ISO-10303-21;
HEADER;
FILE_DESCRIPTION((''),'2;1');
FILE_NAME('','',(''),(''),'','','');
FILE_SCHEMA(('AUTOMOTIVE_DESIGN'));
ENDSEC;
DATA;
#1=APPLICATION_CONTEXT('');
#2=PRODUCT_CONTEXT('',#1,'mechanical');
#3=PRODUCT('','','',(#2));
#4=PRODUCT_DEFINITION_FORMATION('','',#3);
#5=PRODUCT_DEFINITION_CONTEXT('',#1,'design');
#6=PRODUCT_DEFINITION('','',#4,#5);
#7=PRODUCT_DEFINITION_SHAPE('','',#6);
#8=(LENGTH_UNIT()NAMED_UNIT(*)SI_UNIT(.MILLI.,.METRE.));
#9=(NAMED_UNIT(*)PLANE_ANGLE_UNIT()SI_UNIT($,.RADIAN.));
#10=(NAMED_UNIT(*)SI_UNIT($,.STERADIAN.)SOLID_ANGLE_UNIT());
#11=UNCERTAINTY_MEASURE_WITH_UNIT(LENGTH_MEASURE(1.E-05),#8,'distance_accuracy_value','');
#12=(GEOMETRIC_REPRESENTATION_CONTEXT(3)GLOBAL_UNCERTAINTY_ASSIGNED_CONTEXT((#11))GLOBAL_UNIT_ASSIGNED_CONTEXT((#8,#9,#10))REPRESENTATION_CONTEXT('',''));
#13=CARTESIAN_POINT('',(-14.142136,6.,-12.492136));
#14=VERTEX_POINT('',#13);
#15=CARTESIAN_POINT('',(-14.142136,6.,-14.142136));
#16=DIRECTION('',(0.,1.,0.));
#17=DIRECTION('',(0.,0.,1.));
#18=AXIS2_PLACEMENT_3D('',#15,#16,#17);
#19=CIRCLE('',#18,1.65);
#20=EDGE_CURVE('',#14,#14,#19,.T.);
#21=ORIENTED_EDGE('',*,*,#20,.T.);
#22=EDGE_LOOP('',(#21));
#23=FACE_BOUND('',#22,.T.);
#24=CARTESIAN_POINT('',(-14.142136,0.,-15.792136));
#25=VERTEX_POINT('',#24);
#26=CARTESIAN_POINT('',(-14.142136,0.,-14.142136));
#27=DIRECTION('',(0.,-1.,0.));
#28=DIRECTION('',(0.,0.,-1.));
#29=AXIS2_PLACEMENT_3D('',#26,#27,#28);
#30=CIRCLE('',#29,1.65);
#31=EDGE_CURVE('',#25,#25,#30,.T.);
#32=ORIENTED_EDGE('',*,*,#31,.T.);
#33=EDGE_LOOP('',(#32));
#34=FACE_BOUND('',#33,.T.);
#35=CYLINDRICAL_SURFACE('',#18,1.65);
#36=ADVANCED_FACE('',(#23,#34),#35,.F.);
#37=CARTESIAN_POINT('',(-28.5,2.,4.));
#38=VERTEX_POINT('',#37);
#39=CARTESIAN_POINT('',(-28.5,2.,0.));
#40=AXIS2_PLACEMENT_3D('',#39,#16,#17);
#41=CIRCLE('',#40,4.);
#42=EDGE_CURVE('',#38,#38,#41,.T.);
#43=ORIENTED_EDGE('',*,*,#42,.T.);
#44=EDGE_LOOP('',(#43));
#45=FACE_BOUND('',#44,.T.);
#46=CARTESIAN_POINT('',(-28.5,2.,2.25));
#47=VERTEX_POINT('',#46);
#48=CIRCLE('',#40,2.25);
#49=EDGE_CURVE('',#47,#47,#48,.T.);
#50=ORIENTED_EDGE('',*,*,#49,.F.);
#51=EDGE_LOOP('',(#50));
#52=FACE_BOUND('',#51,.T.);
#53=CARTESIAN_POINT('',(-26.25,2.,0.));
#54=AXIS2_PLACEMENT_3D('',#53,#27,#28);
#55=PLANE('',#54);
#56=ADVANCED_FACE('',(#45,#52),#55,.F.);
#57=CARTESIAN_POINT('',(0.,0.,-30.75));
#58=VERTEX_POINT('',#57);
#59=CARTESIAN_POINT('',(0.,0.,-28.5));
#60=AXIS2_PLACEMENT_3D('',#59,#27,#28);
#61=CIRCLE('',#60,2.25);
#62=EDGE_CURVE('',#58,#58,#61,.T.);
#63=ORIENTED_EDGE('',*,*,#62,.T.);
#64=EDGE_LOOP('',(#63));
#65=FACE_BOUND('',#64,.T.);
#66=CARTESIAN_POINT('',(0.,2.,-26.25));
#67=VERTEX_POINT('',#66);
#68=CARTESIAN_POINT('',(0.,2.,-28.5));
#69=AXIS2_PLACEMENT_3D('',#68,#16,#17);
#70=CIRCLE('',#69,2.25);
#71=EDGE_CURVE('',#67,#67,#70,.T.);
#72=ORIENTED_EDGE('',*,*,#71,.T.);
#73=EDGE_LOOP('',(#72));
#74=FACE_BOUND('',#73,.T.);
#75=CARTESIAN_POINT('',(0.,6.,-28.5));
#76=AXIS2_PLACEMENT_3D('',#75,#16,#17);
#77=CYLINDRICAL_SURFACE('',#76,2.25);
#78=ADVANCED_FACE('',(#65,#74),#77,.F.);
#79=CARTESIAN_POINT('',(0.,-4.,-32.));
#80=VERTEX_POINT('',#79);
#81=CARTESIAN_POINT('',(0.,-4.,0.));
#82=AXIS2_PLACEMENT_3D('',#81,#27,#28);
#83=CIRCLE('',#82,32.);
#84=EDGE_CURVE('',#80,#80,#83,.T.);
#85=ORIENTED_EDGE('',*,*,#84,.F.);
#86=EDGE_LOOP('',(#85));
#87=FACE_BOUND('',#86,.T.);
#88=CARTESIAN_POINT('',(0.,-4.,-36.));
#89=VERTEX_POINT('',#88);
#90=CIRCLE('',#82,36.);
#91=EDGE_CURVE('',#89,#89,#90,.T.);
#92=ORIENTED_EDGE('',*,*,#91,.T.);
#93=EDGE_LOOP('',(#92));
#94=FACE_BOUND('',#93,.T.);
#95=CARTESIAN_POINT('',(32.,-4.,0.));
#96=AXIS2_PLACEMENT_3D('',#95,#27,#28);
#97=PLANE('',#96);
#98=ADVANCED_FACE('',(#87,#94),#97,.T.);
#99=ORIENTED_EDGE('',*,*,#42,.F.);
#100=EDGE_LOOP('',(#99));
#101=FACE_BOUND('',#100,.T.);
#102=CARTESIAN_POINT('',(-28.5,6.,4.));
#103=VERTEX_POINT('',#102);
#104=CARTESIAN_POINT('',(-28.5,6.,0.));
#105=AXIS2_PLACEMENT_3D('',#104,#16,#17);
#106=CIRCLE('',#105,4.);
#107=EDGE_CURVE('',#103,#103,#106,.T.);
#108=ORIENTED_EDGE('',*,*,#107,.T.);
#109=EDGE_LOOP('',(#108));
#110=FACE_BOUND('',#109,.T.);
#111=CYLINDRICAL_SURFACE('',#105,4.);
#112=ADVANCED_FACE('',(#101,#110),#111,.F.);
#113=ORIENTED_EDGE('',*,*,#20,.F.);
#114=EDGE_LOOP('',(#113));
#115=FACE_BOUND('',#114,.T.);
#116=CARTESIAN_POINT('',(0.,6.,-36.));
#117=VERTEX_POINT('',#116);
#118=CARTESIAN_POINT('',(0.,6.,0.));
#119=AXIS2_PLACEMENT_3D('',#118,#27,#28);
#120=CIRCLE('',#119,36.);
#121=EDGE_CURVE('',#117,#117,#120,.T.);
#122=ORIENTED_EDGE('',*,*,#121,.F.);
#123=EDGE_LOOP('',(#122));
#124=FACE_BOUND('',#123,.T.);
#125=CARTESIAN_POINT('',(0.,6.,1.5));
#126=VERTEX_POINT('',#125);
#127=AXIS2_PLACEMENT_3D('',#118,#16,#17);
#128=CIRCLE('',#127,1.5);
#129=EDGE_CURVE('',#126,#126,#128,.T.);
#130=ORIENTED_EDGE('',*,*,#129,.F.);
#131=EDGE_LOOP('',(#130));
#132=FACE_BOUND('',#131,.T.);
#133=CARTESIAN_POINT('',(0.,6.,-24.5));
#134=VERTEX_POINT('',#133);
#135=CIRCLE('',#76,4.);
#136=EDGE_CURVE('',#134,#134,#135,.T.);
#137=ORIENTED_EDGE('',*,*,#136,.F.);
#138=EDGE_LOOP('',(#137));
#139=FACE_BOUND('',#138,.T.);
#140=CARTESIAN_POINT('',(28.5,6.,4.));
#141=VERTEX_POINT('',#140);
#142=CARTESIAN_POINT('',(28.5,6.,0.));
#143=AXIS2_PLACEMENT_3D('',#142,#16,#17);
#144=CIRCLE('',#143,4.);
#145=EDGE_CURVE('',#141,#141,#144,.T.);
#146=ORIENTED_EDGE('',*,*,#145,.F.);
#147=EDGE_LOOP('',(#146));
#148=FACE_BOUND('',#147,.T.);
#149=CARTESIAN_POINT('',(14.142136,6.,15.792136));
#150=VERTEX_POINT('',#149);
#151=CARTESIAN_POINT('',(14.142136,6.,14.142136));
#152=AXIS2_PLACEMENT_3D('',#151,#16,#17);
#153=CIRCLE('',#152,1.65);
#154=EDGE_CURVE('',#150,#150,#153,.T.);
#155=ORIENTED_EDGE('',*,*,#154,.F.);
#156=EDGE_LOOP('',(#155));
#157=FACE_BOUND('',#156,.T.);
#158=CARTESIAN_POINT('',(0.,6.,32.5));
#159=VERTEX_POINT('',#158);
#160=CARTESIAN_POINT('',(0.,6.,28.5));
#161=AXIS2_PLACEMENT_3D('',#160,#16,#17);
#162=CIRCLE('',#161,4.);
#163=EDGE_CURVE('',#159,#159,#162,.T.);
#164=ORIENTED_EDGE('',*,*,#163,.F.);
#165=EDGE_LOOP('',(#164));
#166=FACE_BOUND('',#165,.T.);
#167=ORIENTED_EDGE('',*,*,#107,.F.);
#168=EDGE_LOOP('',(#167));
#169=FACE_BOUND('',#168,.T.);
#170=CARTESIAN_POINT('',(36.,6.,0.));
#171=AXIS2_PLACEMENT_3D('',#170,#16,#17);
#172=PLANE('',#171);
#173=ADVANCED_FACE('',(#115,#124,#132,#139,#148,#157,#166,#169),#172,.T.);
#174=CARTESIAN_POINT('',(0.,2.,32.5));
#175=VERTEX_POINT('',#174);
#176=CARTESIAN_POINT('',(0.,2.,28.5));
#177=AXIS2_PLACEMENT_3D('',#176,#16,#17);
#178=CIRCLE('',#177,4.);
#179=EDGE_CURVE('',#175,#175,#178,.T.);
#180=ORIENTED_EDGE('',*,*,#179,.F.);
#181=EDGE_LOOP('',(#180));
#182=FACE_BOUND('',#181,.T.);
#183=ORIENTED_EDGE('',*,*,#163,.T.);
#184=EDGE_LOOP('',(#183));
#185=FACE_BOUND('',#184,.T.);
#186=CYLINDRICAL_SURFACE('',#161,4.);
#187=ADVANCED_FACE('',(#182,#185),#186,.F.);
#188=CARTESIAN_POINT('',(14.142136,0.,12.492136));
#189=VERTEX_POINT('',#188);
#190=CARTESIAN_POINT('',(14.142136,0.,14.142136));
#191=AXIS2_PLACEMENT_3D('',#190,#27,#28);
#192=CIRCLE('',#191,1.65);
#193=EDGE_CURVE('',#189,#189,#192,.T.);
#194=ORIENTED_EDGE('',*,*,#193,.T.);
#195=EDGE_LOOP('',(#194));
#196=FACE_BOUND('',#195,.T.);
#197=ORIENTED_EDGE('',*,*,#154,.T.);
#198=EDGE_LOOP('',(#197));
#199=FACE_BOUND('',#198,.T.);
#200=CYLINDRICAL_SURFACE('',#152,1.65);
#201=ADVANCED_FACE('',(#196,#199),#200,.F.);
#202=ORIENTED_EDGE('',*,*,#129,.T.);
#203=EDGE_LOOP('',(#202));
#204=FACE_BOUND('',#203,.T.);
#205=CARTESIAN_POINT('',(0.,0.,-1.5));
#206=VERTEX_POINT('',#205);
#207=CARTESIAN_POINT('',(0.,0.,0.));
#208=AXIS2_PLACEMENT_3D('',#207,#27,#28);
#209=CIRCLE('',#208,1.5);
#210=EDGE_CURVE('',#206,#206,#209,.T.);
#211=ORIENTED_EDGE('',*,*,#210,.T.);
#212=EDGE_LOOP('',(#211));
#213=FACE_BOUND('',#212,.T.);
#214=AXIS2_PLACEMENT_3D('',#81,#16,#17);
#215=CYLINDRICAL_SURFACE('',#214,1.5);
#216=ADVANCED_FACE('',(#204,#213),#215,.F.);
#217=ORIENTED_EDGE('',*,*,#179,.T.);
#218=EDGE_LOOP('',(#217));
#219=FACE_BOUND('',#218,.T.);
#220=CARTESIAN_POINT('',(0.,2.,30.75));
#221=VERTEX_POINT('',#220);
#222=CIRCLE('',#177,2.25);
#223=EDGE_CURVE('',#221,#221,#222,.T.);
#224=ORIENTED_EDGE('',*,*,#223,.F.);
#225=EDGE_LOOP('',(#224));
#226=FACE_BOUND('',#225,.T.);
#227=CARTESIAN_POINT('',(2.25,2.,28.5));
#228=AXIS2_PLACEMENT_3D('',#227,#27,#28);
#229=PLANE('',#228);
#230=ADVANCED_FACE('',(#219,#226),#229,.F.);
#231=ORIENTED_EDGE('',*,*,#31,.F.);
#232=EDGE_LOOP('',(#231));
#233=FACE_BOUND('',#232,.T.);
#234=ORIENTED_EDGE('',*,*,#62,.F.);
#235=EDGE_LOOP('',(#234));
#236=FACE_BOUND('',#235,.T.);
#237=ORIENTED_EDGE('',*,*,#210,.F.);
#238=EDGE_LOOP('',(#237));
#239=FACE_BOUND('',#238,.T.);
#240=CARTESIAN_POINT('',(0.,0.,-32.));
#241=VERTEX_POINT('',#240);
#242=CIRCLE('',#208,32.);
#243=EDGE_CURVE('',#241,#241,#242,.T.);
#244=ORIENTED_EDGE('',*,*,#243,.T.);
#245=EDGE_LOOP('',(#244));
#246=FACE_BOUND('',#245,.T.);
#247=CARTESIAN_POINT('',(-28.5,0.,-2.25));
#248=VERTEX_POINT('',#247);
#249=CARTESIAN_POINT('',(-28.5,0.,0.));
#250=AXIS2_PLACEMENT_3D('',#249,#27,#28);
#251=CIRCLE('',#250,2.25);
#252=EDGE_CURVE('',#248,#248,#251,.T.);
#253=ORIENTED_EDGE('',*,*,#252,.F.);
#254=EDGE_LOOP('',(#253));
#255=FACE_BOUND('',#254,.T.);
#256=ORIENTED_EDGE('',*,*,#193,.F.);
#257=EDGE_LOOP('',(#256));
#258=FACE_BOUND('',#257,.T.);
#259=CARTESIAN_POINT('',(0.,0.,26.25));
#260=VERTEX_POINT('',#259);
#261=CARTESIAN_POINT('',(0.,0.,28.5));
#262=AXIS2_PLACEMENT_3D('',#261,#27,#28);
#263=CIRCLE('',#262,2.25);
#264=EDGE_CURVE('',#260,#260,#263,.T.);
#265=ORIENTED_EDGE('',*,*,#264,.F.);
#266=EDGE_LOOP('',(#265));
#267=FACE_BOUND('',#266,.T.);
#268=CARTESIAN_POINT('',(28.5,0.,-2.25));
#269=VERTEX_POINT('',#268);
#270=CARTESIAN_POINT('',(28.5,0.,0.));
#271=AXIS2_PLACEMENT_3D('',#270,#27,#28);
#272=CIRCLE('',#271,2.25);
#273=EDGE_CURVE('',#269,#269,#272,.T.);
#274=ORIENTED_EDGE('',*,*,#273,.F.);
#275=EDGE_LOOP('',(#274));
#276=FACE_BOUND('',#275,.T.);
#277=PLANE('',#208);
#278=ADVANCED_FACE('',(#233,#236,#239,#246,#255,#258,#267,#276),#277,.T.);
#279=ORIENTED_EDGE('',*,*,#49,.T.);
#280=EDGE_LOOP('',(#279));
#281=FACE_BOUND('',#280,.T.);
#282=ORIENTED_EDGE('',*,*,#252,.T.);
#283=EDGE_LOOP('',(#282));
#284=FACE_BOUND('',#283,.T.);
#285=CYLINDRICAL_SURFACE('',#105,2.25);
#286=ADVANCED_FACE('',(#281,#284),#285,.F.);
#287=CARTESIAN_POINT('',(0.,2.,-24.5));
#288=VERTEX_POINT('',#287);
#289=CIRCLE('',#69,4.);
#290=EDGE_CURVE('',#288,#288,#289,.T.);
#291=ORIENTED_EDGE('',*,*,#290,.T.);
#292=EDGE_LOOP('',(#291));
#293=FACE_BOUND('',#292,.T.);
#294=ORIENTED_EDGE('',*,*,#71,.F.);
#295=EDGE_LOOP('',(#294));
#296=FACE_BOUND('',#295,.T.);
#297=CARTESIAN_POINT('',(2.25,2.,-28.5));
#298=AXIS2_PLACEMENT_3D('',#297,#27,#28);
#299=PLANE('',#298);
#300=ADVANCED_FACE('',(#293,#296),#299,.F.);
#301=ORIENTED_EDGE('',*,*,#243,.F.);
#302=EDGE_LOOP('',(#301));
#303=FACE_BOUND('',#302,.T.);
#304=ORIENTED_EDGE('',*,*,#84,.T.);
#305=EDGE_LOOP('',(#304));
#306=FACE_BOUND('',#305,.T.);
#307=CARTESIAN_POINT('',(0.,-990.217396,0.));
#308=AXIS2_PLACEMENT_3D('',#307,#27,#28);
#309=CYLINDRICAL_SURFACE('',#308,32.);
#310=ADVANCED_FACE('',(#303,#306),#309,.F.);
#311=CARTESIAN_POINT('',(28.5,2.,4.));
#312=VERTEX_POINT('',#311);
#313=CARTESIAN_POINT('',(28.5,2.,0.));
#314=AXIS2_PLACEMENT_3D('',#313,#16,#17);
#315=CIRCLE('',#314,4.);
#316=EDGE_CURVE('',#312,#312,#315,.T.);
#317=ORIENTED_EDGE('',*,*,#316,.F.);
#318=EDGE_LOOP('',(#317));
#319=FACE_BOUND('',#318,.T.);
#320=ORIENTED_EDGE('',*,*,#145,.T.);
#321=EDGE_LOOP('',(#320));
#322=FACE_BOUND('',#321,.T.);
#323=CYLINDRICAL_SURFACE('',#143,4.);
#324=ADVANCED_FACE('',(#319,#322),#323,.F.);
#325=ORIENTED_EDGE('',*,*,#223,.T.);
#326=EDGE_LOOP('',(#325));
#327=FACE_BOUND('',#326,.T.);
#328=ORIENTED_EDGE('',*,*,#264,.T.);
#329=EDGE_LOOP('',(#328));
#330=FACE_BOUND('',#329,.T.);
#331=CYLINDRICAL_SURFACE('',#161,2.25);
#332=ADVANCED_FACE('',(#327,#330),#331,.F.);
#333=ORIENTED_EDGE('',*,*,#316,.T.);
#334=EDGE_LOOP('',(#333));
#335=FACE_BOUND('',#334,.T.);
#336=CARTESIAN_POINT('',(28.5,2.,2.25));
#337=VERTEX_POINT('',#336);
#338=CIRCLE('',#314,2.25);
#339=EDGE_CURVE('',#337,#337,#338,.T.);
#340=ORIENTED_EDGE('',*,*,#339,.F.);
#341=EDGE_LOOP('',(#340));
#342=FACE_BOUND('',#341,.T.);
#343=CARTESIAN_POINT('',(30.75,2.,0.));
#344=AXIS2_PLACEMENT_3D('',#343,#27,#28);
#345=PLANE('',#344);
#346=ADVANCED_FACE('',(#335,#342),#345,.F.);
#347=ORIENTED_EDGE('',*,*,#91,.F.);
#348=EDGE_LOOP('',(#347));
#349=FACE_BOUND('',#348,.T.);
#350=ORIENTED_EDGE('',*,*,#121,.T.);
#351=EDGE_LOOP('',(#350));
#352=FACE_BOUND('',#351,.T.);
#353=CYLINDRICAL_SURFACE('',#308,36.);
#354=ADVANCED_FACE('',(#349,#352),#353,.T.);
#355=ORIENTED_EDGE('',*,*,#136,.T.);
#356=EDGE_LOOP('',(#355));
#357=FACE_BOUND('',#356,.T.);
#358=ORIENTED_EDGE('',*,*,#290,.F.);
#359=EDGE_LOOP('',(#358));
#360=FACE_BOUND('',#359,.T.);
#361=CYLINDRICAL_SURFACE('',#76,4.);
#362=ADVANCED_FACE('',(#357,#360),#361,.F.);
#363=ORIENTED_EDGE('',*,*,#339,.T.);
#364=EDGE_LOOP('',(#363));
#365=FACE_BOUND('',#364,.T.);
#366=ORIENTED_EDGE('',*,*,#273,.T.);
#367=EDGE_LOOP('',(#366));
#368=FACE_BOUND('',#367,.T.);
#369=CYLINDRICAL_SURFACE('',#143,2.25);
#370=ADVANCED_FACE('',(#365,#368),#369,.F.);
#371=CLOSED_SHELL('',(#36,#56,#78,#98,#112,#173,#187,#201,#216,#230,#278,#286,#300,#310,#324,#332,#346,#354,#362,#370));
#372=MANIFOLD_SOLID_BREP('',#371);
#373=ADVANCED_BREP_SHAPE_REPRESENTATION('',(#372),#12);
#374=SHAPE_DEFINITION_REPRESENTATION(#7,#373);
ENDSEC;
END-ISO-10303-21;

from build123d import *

# Parameters (mm, degrees)
CBORE_FOR_M4_SHCS1_D           = 4.5
CBORE_FOR_M4_SHCS1_CBORE_D     = 8
CBORE_FOR_M4_SHCS1_CBORE_DEPTH = 4
M4X0_7_TAPPED_HOLE1_D          = 3.3
M4X0_7_TAPPED_HOLE1_DEPTH      = 8.1
M4X0_7_TAPPED_HOLE1_TIP        = 0.991420021
SKETCH7_R                      = 1.5
CUT_EXTRUDE1_DEPTH             = 52.884487084


with BuildPart() as part:
    # Sketch2 → Revolve1 (revolve)
    with BuildSketch(Plane.XY, mode=Mode.PRIVATE) as revolve1_sk:
        Polygon((0, 0), (32, 0), (32, -4), (36, -4), (36, 6), (0, 6), align=None)
    revolve(revolve1_sk.sketch.rotate(Axis((0, -990.217396251, 0), (0, 1, 0)), 90), axis=Axis((0, -990.217396251, 0), (0, 1, 0)))

    # CBORE for M4 SHCS1 (through all)
    with Locations(Plane(origin=(0, 6, 0), x_dir=(1, 0, 0), z_dir=(0, 1, 0))):
        with Locations((0, 28.5), (-28.5, 0), (28.5, 0), (0, -28.5)):
            CounterBoreHole(CBORE_FOR_M4_SHCS1_D / 2, CBORE_FOR_M4_SHCS1_CBORE_D / 2, CBORE_FOR_M4_SHCS1_CBORE_DEPTH)

    # M4x0.7 Tapped Hole1
    with Locations(Plane(origin=(0, 6, 0), x_dir=(1, 0, 0), z_dir=(0, 1, 0))):
        with Locations((-14.142135624, 14.142135624), (14.142135624, -14.142135624)):
            Hole(M4X0_7_TAPPED_HOLE1_D / 2, depth=M4X0_7_TAPPED_HOLE1_DEPTH)
            with Locations((0, 0, -(M4X0_7_TAPPED_HOLE1_DEPTH + M4X0_7_TAPPED_HOLE1_TIP / 2))):  # 118° drill point
                Cone(0, M4X0_7_TAPPED_HOLE1_D / 2, M4X0_7_TAPPED_HOLE1_TIP, mode=Mode.SUBTRACT)

    # Sketch7 → Cut-Extrude1 (cut, through all)
    with BuildSketch(Plane(origin=(0, 6, 0), x_dir=(1, 0, 0), z_dir=(0, 1, 0))):
        with Locations(Location((0, 0, 0), (0, 0, 270))):
            Circle(SKETCH7_R)
    extrude(amount=-CUT_EXTRUDE1_DEPTH, mode=Mode.SUBTRACT)


solid = part.part
